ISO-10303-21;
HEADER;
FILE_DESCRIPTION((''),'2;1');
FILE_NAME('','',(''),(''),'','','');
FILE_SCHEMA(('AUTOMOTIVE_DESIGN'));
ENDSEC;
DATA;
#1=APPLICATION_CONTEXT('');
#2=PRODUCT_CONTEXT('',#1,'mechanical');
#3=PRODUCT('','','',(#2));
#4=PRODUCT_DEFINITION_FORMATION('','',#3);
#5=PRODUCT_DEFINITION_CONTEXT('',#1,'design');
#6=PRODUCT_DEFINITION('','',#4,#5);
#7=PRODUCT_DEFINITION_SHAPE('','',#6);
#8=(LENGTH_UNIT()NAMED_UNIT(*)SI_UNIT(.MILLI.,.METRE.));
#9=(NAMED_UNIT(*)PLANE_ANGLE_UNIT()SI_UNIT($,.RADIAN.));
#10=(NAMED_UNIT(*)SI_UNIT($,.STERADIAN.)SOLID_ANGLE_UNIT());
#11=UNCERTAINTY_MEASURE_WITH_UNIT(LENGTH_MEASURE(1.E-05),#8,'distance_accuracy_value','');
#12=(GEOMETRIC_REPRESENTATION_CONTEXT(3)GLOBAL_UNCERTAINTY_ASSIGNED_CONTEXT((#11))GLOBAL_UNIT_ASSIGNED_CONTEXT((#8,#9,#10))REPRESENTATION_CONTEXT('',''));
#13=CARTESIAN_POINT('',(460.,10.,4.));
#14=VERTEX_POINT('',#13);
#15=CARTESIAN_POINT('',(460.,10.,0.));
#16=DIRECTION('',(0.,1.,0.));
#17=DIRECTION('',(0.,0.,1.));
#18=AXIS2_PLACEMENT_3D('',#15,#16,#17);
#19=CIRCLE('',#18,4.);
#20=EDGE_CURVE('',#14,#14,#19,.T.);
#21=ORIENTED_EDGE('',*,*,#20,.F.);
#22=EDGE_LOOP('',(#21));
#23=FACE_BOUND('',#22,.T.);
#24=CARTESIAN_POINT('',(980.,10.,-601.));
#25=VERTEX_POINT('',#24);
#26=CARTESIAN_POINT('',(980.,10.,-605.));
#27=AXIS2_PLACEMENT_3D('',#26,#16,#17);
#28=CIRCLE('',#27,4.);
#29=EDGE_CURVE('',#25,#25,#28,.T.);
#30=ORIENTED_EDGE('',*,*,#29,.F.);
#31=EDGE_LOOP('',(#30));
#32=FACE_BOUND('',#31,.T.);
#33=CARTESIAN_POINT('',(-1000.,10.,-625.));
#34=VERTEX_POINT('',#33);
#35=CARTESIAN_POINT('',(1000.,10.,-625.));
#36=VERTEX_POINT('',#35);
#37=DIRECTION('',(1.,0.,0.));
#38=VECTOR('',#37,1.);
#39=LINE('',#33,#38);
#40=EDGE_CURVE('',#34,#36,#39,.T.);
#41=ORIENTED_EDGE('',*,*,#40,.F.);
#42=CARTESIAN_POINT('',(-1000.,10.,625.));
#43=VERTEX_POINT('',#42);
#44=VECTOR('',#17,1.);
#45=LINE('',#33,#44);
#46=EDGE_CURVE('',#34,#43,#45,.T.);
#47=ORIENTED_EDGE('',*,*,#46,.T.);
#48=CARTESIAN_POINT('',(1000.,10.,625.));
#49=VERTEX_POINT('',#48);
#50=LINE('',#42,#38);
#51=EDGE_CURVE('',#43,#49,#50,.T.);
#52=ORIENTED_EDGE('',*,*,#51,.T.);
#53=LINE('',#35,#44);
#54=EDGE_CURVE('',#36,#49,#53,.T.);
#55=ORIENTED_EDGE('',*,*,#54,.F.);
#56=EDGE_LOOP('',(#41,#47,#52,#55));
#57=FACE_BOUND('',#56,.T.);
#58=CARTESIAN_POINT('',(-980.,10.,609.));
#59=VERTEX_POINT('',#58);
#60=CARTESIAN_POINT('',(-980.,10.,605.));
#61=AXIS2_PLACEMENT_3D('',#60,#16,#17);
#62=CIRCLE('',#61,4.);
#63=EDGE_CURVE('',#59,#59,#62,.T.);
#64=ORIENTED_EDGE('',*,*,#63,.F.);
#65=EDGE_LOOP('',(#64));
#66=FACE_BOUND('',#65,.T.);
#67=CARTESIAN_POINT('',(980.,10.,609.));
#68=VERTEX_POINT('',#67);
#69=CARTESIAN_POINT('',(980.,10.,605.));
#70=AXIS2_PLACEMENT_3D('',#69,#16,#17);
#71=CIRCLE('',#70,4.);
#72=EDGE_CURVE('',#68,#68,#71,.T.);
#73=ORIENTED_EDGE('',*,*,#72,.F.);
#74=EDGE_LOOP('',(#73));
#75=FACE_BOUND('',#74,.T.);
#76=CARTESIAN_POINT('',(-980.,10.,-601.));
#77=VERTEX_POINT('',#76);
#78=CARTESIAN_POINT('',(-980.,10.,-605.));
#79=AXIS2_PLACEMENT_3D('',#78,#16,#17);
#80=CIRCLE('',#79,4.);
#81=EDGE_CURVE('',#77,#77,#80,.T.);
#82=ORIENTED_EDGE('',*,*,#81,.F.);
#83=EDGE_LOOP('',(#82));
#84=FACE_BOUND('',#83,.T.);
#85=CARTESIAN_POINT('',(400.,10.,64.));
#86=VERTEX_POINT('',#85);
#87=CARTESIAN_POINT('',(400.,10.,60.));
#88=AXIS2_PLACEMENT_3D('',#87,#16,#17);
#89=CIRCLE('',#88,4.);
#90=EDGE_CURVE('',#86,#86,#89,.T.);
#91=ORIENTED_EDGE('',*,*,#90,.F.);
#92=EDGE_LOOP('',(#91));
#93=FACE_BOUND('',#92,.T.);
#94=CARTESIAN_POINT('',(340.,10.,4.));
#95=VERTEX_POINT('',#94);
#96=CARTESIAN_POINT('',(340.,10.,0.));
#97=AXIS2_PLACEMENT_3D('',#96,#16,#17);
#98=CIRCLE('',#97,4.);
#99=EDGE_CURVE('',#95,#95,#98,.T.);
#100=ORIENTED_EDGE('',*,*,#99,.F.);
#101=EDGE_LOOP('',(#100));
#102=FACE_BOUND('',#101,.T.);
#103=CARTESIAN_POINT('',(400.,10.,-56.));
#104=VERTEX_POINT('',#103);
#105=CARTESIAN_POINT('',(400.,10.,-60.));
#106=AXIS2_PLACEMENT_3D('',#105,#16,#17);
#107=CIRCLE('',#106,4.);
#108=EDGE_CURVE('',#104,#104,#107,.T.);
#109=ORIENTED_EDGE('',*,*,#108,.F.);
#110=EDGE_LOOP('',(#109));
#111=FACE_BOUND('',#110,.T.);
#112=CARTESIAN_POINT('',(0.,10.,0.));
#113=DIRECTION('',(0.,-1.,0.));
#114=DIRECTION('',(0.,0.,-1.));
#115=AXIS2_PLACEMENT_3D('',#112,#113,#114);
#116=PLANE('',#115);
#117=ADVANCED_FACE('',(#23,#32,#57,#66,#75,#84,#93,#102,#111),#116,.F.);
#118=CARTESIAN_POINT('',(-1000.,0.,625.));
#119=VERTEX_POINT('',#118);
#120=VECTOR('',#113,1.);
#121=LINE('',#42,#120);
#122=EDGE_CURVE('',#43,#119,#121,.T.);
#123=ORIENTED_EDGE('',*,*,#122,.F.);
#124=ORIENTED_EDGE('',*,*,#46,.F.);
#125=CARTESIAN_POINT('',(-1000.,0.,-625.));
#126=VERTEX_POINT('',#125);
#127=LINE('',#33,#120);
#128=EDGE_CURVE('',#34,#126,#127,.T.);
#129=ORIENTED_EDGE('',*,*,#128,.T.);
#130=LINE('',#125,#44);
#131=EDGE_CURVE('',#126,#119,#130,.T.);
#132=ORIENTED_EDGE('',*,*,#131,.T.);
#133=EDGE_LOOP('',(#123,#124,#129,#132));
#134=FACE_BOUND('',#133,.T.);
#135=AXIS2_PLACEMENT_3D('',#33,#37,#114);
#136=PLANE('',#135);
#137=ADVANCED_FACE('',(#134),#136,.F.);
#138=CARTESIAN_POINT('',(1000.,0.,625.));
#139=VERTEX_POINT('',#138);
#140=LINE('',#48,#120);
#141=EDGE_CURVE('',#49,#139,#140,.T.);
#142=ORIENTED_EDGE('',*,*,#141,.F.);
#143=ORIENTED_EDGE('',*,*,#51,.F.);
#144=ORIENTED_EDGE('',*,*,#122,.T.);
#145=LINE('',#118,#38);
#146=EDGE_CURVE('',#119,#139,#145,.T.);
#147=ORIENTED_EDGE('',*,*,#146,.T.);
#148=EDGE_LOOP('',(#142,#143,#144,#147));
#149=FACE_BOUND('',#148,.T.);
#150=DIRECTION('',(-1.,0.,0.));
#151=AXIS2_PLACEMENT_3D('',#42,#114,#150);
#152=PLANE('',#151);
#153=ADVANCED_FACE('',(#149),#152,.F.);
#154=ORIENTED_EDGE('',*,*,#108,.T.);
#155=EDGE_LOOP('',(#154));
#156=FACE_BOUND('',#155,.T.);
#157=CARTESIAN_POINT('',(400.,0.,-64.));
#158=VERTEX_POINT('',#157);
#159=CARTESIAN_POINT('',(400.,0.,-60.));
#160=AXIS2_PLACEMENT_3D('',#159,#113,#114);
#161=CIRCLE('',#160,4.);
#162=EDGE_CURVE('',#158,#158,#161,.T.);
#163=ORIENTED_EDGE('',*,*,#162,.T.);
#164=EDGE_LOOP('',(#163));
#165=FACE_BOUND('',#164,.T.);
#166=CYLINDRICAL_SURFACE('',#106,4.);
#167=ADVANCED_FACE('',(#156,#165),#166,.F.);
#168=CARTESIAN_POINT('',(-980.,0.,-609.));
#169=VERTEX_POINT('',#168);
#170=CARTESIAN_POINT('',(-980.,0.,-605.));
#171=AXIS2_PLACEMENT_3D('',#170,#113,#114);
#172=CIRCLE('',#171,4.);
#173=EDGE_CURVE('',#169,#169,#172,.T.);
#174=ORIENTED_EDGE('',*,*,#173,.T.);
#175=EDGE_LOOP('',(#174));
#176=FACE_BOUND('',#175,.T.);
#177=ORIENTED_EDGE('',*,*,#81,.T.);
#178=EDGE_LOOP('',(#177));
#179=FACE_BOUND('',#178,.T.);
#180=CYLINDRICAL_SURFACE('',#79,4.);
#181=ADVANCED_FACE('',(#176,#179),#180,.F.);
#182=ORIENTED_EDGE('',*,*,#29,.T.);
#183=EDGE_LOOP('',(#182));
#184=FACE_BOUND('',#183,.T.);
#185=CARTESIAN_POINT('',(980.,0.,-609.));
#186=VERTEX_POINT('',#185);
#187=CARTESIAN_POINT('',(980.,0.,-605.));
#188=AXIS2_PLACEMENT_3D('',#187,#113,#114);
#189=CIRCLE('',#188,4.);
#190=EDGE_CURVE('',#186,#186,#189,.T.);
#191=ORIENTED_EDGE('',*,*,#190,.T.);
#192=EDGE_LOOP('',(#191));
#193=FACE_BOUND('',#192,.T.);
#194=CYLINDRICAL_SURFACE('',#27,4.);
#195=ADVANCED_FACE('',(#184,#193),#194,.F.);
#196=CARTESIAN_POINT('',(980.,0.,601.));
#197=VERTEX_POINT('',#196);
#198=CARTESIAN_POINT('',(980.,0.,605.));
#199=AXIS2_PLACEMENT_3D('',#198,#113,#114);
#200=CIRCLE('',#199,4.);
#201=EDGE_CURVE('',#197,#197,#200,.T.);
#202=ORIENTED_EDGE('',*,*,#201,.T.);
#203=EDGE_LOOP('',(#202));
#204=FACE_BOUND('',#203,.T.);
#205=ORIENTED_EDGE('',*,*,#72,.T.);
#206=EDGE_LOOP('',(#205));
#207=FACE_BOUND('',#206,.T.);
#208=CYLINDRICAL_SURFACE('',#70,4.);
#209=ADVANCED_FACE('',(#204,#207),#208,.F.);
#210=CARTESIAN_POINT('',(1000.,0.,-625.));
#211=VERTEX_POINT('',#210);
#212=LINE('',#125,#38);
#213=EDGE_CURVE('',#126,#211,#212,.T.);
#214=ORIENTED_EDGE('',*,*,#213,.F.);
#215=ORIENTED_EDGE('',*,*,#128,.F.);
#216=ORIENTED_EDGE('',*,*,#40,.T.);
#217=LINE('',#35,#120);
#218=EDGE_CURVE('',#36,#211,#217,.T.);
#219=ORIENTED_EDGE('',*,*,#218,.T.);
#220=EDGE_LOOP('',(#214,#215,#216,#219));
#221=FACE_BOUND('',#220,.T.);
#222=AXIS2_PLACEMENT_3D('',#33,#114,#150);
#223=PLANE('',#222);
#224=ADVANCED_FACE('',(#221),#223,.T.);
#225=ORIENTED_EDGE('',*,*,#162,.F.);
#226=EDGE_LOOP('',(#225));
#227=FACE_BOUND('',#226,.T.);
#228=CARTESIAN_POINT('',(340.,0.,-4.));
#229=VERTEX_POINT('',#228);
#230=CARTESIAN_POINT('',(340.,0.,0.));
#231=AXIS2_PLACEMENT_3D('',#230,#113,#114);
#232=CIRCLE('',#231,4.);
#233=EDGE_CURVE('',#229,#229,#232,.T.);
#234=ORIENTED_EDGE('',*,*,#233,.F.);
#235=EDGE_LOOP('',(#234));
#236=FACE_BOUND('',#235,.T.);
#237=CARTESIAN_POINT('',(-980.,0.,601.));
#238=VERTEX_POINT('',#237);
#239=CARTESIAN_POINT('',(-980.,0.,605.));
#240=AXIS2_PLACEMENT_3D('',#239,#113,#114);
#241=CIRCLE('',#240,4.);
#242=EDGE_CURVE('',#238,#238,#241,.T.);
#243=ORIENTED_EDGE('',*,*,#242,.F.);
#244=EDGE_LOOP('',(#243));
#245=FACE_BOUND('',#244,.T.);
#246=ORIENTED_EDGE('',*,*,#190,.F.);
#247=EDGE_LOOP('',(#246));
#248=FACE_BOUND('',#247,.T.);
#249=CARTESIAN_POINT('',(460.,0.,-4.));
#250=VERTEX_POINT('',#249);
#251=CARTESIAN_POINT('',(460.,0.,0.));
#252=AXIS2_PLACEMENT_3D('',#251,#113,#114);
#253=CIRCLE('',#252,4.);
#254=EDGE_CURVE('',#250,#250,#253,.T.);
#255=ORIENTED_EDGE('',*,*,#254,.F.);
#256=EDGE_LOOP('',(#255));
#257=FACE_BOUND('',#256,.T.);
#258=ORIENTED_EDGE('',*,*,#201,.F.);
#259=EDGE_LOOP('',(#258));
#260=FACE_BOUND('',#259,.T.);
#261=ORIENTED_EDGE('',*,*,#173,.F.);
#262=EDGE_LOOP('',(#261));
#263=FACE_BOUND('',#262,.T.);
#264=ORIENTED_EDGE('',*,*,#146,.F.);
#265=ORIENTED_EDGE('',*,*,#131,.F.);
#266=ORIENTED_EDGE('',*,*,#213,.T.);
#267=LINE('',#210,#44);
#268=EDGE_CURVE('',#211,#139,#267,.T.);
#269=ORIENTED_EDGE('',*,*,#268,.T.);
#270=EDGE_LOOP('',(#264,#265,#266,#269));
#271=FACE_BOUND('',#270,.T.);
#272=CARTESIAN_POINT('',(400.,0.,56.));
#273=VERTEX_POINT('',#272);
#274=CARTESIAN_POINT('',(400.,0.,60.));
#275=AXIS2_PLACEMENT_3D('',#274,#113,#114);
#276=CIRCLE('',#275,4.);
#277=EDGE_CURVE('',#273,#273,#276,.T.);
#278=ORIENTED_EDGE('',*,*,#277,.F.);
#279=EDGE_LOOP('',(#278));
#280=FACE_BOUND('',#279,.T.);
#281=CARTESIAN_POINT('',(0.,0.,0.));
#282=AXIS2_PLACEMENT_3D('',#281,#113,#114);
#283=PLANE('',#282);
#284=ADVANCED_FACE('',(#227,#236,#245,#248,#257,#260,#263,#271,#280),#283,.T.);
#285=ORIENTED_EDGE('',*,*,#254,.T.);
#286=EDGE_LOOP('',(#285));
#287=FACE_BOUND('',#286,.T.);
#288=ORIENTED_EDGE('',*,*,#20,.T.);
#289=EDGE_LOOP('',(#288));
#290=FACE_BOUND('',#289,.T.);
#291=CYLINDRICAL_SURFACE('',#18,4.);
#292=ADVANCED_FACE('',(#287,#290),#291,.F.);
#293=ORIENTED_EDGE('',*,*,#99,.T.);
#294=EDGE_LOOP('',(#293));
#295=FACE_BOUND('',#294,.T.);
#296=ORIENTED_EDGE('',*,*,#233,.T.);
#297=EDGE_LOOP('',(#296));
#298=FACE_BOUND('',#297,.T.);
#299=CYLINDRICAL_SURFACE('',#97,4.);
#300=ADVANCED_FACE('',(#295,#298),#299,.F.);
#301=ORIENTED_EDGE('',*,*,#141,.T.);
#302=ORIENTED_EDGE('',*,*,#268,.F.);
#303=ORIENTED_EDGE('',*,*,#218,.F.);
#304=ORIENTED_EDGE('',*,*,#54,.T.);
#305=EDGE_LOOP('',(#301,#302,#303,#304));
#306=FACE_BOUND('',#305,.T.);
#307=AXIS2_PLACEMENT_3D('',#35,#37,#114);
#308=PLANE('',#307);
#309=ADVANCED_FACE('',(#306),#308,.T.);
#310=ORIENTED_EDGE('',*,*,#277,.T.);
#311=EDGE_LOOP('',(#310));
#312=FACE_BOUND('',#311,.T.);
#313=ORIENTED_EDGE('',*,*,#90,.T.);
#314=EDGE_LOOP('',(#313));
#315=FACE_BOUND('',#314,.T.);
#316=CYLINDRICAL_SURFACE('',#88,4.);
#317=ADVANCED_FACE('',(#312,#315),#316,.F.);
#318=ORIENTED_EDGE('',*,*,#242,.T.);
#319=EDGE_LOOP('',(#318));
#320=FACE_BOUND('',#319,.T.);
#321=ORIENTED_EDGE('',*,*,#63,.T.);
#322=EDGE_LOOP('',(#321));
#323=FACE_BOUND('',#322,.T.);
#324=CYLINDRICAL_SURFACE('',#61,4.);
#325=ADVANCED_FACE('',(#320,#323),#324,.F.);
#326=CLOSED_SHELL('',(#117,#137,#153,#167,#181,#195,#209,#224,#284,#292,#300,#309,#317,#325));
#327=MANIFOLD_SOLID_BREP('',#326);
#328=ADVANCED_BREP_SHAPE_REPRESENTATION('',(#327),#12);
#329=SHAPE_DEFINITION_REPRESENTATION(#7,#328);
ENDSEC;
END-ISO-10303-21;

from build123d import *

# Parameters (mm, degrees)
SKETCH_2_W      = 2000
SKETCH_2_H      = 1250
EXTRUDE_1_DEPTH = 10
MM_1_D          = 8
MM_1_DEPTH      = 20
MM_1_TIP        = 2.403442476
MM_2_D          = 8
MM_2_DEPTH      = 20
MM_2_TIP        = 2.403442476


with BuildPart() as part:
    # 草图2 → 凸台-拉伸1 (new body)
    with BuildSketch(Plane(origin=(0, 0, 0), x_dir=(1, 0, 0), z_dir=(0, 1, 0))):
        Rectangle(SKETCH_2_W, SKETCH_2_H)
    extrude(amount=EXTRUDE_1_DEPTH)

    # 大小mm 暗销孔1
    with Locations(Plane(origin=(-980, 10, -605), x_dir=(0, 0, 1), z_dir=(0, 1, 0))):
        with Locations((0, 0), (0, 1960), (1210, 1960), (1210, 0)):
            Hole(MM_1_D / 2, depth=MM_1_DEPTH)
            with Locations((0, 0, -(MM_1_DEPTH + MM_1_TIP / 2))):  # 118° drill point
                Cone(0, MM_1_D / 2, MM_1_TIP, mode=Mode.SUBTRACT)

    # 大小mm 暗销孔2
    with Locations(Plane(origin=(400, 10, -60), x_dir=(0, 0, 1), z_dir=(0, 1, 0))):
        with Locations((0, 0), (60, -60), (120, 0), (60, 60)):
            Hole(MM_2_D / 2, depth=MM_2_DEPTH)
            with Locations((0, 0, -(MM_2_DEPTH + MM_2_TIP / 2))):  # 118° drill point
                Cone(0, MM_2_D / 2, MM_2_TIP, mode=Mode.SUBTRACT)


solid = part.part
